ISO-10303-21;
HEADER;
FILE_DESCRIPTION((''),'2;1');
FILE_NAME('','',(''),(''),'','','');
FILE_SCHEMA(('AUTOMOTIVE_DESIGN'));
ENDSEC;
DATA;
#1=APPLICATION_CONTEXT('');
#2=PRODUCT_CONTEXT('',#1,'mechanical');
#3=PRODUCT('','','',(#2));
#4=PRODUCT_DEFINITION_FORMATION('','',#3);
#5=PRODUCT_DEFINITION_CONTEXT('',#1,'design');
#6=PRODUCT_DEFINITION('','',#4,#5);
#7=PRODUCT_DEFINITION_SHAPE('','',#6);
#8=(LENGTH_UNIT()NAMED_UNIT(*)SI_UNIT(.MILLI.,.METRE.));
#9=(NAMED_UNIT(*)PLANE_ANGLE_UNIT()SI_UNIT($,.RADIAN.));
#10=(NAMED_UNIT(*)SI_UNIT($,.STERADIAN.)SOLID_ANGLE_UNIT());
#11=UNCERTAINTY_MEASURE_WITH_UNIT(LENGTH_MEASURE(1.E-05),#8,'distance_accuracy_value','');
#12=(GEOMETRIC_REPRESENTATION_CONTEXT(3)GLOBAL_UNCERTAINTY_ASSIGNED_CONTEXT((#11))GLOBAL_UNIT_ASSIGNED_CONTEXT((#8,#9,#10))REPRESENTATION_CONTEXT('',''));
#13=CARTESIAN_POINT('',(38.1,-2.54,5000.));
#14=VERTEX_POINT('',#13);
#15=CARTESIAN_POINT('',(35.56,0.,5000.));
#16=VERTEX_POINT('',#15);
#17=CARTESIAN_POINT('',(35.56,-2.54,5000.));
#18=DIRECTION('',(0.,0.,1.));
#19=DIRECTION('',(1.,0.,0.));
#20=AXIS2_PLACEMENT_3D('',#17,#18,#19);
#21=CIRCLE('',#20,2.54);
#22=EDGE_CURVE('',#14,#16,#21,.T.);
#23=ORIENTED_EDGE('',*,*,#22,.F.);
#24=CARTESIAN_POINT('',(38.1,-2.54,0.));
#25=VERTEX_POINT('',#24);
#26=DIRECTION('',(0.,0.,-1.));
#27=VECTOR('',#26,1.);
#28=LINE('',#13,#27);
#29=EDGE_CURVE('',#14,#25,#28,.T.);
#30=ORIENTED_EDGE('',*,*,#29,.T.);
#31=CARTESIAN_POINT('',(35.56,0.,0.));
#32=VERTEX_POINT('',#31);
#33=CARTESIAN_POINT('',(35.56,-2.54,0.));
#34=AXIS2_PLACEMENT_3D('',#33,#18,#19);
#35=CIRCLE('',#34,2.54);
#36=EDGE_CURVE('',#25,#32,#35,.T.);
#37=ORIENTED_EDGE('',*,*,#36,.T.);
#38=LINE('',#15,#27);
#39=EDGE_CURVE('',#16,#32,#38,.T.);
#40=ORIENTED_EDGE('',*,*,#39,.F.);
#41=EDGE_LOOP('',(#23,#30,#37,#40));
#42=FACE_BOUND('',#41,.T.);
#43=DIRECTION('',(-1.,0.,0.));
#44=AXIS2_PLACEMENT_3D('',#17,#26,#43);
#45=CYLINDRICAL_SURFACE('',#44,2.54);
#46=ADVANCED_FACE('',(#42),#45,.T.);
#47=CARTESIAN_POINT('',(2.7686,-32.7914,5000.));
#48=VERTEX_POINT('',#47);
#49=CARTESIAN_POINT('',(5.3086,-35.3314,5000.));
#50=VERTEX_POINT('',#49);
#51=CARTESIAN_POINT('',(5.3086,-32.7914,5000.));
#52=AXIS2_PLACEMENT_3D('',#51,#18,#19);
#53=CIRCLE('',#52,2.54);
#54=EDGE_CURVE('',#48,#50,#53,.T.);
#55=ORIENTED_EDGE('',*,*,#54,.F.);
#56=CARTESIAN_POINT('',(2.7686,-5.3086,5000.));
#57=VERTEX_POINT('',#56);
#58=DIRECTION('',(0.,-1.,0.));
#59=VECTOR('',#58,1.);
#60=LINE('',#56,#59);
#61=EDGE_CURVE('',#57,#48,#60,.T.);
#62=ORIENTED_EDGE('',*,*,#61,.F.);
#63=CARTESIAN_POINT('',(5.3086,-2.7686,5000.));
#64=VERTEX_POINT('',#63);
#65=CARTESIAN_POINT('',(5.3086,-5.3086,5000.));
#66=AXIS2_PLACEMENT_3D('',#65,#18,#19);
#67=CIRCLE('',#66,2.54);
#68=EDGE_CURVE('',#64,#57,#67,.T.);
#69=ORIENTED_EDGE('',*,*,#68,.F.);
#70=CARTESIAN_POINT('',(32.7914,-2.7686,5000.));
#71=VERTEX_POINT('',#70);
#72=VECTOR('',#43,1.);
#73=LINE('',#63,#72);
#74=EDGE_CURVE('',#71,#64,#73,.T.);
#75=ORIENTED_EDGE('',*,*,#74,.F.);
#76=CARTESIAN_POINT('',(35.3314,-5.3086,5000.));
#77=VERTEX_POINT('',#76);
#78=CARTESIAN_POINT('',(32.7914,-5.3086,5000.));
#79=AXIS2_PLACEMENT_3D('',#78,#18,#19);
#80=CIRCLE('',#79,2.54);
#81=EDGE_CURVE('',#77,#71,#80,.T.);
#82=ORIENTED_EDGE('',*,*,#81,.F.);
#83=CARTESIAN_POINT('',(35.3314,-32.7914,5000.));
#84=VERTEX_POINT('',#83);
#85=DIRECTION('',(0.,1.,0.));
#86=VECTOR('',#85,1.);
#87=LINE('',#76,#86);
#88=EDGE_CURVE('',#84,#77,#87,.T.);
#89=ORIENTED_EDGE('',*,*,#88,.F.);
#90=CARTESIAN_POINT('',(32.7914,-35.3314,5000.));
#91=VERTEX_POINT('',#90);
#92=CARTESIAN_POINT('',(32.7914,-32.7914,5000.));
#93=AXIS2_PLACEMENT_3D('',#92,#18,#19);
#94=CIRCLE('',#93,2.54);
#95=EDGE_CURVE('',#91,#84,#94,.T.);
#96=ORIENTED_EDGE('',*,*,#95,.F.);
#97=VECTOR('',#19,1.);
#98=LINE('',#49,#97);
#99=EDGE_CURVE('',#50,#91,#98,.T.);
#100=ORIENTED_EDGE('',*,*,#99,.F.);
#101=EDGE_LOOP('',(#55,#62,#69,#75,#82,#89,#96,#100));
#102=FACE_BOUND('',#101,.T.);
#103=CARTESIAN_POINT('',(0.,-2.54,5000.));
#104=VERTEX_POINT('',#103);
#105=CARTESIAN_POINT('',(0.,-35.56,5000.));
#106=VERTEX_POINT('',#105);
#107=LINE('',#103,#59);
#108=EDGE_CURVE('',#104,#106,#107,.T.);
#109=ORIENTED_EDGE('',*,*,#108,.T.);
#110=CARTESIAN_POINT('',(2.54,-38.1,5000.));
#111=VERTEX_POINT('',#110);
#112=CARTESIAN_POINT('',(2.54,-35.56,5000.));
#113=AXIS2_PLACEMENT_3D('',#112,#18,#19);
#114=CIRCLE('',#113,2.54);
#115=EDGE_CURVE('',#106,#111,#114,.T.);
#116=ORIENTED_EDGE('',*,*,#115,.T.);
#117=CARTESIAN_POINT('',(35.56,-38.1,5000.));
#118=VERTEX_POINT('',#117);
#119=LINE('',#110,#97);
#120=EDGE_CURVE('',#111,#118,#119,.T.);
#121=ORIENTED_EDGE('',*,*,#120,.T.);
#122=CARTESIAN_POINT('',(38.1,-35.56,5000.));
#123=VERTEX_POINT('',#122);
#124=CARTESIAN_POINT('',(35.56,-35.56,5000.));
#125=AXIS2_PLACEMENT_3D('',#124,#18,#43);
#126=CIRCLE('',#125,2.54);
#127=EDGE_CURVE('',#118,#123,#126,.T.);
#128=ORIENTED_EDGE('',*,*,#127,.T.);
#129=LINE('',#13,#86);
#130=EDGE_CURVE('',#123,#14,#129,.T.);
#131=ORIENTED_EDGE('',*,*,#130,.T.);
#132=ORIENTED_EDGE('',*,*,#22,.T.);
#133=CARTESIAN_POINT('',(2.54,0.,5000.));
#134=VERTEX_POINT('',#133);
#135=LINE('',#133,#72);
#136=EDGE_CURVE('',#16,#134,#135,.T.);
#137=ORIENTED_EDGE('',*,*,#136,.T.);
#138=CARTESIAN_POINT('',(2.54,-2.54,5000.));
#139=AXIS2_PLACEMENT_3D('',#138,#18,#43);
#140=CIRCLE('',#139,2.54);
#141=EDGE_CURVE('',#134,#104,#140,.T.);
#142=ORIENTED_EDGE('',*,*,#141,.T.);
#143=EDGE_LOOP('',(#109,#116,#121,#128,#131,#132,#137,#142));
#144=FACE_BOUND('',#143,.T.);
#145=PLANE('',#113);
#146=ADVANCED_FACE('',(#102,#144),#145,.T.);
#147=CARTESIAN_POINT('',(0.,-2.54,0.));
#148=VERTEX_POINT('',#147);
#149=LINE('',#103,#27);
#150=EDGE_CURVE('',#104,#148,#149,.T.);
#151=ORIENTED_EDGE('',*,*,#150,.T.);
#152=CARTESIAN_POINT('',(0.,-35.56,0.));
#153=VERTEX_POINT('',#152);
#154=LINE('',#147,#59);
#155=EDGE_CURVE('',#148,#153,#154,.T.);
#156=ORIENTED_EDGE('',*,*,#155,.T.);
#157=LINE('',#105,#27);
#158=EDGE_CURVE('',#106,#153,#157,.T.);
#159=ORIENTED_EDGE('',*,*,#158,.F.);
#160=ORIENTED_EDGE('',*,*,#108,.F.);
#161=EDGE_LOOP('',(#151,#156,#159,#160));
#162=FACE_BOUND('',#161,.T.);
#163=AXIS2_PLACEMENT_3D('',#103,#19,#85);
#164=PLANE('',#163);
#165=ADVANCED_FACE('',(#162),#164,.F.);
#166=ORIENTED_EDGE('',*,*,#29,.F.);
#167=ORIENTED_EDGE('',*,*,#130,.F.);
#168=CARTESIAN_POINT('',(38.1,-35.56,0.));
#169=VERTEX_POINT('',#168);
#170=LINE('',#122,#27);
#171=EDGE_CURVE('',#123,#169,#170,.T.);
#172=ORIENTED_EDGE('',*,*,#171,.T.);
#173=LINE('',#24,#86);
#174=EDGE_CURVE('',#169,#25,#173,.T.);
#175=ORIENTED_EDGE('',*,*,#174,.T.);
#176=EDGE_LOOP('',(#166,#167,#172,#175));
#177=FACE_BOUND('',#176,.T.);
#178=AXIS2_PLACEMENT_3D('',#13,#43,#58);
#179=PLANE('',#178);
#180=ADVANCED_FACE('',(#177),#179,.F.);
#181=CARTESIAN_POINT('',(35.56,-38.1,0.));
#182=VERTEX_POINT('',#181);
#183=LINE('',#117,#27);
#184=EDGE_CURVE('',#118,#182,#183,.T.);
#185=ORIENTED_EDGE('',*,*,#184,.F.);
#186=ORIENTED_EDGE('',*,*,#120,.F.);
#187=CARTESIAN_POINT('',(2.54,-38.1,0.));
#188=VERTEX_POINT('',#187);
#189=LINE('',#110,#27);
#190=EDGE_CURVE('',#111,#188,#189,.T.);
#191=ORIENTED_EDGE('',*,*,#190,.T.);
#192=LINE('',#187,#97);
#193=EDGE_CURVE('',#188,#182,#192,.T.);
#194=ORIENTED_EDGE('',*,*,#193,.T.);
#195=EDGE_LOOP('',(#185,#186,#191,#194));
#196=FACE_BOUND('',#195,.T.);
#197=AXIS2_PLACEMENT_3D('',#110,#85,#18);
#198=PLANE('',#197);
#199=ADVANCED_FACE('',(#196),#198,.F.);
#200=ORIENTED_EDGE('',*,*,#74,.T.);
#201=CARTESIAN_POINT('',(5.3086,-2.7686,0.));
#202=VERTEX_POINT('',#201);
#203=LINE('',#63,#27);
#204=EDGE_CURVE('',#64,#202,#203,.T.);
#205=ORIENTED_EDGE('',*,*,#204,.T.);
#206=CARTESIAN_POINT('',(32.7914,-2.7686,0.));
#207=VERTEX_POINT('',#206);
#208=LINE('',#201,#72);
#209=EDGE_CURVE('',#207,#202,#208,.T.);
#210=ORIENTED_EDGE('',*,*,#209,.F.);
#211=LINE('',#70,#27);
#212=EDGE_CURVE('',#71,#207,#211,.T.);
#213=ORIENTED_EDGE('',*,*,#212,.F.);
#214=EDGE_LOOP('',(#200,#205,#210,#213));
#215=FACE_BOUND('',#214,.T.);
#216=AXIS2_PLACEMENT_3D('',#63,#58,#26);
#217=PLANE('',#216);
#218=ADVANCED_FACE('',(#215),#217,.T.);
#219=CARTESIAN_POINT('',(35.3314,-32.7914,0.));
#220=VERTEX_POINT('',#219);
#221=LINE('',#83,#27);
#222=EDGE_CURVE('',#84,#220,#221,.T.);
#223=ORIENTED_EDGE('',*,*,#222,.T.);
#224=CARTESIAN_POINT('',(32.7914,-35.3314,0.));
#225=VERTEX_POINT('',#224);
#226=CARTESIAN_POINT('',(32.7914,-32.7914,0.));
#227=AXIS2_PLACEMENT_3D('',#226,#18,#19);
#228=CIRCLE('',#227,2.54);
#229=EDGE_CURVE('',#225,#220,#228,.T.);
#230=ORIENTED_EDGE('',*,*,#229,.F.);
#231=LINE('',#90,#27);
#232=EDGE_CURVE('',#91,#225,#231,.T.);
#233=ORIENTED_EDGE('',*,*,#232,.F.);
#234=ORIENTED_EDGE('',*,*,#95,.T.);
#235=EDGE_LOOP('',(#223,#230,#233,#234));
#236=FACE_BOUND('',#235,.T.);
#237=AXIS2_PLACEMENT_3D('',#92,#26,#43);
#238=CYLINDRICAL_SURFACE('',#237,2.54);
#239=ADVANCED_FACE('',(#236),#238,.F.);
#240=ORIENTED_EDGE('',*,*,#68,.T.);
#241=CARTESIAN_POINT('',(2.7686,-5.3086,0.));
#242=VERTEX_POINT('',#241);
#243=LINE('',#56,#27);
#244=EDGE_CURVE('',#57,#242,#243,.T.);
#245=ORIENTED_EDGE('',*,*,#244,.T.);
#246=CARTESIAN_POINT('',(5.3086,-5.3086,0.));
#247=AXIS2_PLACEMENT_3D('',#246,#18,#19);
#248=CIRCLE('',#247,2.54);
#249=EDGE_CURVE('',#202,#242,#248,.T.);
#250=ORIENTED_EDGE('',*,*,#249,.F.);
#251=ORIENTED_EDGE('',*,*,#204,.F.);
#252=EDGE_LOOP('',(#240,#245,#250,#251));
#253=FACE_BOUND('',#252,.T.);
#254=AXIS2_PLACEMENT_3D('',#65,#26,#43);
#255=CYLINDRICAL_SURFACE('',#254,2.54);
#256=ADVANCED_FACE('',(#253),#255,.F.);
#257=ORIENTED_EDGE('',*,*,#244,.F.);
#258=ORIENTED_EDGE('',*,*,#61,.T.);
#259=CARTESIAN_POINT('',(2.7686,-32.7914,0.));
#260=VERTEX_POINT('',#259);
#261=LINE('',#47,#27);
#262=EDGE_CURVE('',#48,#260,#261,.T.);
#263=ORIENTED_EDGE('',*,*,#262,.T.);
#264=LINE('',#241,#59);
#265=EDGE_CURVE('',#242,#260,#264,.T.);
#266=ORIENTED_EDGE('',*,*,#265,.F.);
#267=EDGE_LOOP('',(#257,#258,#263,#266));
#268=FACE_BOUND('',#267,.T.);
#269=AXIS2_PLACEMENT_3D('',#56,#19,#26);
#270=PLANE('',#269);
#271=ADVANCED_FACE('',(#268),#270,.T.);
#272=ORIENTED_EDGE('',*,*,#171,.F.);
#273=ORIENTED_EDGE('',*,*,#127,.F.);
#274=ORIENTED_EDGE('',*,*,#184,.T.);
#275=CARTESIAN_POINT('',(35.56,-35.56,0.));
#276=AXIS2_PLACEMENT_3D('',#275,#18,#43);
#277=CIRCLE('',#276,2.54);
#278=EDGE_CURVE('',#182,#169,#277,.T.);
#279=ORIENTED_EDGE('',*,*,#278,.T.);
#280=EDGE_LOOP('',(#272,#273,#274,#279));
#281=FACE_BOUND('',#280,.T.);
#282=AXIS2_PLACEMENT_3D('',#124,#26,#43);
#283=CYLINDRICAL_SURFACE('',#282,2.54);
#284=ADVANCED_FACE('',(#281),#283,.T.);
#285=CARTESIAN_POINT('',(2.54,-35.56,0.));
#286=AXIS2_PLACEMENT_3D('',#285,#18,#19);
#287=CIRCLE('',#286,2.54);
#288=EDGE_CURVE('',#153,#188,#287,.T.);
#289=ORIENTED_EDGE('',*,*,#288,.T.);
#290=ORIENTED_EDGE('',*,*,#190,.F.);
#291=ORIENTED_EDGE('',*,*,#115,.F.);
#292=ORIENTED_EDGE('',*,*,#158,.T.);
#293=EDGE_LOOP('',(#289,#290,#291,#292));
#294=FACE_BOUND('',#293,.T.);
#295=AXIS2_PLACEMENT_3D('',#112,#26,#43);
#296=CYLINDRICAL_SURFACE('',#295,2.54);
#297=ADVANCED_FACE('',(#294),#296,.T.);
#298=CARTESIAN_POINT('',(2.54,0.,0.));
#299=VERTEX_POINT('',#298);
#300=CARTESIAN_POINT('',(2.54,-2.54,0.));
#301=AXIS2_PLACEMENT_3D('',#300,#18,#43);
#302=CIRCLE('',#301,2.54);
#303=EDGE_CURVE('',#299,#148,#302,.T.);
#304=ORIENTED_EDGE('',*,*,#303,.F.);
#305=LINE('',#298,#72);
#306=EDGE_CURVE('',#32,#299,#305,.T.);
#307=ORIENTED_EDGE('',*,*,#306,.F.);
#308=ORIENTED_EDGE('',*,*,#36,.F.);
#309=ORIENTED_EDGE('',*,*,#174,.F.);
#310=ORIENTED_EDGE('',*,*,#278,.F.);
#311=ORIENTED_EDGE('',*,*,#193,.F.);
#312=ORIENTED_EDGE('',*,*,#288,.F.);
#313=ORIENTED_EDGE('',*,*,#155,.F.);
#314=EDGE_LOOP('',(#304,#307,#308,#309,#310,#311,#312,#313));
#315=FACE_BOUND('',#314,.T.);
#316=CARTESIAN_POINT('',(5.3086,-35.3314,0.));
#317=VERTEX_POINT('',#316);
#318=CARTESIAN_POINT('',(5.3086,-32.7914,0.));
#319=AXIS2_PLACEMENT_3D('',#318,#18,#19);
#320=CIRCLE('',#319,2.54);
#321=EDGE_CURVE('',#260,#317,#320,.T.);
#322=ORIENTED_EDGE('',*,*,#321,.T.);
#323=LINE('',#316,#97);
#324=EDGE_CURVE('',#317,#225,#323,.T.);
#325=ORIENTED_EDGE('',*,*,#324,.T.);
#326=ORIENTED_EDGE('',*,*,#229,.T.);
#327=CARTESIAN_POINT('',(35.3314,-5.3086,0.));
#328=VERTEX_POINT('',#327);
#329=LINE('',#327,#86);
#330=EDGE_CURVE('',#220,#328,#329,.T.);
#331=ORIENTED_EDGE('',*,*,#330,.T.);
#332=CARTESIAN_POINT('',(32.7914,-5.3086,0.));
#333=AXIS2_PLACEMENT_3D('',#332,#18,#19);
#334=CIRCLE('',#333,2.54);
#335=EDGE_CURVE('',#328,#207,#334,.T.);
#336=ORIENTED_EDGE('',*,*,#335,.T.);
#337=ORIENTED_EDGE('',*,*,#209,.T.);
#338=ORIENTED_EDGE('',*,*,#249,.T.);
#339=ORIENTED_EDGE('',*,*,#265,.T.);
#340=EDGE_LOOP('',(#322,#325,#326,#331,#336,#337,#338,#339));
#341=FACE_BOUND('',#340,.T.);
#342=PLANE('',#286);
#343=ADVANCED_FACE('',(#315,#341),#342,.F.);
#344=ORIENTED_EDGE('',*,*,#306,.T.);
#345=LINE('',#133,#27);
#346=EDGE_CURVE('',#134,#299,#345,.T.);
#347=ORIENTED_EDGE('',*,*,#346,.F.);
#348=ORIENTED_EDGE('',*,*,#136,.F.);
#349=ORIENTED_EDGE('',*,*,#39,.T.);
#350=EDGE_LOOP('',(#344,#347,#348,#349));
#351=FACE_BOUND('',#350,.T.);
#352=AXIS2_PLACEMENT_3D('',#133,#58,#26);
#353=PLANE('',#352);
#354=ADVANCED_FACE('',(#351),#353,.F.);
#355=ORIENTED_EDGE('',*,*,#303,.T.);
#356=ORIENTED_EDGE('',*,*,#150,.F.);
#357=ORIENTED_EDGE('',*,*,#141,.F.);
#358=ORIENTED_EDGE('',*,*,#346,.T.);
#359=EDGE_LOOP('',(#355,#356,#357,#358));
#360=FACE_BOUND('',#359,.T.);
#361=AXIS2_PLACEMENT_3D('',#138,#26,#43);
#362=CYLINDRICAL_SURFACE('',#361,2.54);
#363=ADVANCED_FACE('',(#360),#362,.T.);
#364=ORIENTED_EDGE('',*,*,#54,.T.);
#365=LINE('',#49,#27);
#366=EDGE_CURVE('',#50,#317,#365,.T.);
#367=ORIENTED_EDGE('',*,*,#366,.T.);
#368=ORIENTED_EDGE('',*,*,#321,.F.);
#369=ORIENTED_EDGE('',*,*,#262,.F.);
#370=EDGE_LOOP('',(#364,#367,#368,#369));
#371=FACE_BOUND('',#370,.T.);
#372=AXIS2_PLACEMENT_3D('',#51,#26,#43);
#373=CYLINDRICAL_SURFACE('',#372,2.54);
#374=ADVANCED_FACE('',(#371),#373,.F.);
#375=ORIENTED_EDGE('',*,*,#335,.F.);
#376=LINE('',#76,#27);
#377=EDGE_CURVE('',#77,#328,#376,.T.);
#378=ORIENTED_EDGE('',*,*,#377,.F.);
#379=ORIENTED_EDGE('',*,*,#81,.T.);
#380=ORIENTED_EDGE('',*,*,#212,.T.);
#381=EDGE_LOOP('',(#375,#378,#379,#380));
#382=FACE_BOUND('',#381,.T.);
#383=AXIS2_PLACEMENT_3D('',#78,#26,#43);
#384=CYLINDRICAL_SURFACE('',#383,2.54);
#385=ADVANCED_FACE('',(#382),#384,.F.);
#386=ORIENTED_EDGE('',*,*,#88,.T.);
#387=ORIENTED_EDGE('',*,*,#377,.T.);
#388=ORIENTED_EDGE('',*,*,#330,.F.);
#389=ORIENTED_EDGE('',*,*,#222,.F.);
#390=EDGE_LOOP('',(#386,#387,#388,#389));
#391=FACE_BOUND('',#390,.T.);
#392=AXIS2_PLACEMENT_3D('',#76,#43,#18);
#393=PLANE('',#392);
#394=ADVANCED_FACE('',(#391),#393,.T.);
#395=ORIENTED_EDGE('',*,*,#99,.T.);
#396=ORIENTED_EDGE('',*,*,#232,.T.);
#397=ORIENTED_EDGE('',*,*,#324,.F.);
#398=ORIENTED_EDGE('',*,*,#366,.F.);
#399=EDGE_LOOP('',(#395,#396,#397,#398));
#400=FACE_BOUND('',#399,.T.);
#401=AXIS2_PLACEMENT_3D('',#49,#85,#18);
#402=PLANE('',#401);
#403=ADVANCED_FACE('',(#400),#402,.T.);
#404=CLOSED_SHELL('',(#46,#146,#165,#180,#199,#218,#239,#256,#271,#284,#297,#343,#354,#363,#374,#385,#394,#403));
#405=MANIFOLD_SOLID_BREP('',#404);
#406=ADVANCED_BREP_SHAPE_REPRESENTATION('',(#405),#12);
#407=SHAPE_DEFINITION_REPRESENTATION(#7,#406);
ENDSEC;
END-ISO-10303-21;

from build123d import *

# Parameters (mm, degrees)
BOSS_EXTRUDE1_DEPTH = 5000


with BuildPart() as part:
    # Sketch1 → Boss-Extrude1 (new body)
    with BuildSketch(Plane.XY):
        with BuildLine():
            Line((2.54, 0), (35.56, 0))
            ThreePointArc((35.56, 0), (37.356051224, -0.743948776), (38.1, -2.54))
            Line((38.1, -2.54), (38.1, -35.56))
            ThreePointArc((38.1, -35.56), (37.356051224, -37.356051224), (35.56, -38.1))
            Line((35.56, -38.1), (2.54, -38.1))
            ThreePointArc((2.54, -38.1), (0.743948776, -37.356051224), (0, -35.56))
            Line((0, -35.56), (0, -2.54))
            ThreePointArc((0, -2.54), (0.743948776, -0.743948776), (2.54, 0))
        make_face()
        with BuildLine():
            Line((5.3086, -2.7686), (32.7914, -2.7686))
            ThreePointArc((32.7914, -2.7686), (34.587451224, -3.512548776), (35.3314, -5.3086))
            Line((35.3314, -5.3086), (35.3314, -32.7914))
            ThreePointArc((35.3314, -32.7914), (34.587451224, -34.587451224), (32.7914, -35.3314))
            Line((32.7914, -35.3314), (5.3086, -35.3314))
            ThreePointArc((5.3086, -35.3314), (3.512548776, -34.587451224), (2.7686, -32.7914))
            Line((2.7686, -32.7914), (2.7686, -5.3086))
            ThreePointArc((2.7686, -5.3086), (3.512548776, -3.512548776), (5.3086, -2.7686))
        make_face(mode=Mode.SUBTRACT)
    extrude(amount=BOSS_EXTRUDE1_DEPTH)


solid = part.part
